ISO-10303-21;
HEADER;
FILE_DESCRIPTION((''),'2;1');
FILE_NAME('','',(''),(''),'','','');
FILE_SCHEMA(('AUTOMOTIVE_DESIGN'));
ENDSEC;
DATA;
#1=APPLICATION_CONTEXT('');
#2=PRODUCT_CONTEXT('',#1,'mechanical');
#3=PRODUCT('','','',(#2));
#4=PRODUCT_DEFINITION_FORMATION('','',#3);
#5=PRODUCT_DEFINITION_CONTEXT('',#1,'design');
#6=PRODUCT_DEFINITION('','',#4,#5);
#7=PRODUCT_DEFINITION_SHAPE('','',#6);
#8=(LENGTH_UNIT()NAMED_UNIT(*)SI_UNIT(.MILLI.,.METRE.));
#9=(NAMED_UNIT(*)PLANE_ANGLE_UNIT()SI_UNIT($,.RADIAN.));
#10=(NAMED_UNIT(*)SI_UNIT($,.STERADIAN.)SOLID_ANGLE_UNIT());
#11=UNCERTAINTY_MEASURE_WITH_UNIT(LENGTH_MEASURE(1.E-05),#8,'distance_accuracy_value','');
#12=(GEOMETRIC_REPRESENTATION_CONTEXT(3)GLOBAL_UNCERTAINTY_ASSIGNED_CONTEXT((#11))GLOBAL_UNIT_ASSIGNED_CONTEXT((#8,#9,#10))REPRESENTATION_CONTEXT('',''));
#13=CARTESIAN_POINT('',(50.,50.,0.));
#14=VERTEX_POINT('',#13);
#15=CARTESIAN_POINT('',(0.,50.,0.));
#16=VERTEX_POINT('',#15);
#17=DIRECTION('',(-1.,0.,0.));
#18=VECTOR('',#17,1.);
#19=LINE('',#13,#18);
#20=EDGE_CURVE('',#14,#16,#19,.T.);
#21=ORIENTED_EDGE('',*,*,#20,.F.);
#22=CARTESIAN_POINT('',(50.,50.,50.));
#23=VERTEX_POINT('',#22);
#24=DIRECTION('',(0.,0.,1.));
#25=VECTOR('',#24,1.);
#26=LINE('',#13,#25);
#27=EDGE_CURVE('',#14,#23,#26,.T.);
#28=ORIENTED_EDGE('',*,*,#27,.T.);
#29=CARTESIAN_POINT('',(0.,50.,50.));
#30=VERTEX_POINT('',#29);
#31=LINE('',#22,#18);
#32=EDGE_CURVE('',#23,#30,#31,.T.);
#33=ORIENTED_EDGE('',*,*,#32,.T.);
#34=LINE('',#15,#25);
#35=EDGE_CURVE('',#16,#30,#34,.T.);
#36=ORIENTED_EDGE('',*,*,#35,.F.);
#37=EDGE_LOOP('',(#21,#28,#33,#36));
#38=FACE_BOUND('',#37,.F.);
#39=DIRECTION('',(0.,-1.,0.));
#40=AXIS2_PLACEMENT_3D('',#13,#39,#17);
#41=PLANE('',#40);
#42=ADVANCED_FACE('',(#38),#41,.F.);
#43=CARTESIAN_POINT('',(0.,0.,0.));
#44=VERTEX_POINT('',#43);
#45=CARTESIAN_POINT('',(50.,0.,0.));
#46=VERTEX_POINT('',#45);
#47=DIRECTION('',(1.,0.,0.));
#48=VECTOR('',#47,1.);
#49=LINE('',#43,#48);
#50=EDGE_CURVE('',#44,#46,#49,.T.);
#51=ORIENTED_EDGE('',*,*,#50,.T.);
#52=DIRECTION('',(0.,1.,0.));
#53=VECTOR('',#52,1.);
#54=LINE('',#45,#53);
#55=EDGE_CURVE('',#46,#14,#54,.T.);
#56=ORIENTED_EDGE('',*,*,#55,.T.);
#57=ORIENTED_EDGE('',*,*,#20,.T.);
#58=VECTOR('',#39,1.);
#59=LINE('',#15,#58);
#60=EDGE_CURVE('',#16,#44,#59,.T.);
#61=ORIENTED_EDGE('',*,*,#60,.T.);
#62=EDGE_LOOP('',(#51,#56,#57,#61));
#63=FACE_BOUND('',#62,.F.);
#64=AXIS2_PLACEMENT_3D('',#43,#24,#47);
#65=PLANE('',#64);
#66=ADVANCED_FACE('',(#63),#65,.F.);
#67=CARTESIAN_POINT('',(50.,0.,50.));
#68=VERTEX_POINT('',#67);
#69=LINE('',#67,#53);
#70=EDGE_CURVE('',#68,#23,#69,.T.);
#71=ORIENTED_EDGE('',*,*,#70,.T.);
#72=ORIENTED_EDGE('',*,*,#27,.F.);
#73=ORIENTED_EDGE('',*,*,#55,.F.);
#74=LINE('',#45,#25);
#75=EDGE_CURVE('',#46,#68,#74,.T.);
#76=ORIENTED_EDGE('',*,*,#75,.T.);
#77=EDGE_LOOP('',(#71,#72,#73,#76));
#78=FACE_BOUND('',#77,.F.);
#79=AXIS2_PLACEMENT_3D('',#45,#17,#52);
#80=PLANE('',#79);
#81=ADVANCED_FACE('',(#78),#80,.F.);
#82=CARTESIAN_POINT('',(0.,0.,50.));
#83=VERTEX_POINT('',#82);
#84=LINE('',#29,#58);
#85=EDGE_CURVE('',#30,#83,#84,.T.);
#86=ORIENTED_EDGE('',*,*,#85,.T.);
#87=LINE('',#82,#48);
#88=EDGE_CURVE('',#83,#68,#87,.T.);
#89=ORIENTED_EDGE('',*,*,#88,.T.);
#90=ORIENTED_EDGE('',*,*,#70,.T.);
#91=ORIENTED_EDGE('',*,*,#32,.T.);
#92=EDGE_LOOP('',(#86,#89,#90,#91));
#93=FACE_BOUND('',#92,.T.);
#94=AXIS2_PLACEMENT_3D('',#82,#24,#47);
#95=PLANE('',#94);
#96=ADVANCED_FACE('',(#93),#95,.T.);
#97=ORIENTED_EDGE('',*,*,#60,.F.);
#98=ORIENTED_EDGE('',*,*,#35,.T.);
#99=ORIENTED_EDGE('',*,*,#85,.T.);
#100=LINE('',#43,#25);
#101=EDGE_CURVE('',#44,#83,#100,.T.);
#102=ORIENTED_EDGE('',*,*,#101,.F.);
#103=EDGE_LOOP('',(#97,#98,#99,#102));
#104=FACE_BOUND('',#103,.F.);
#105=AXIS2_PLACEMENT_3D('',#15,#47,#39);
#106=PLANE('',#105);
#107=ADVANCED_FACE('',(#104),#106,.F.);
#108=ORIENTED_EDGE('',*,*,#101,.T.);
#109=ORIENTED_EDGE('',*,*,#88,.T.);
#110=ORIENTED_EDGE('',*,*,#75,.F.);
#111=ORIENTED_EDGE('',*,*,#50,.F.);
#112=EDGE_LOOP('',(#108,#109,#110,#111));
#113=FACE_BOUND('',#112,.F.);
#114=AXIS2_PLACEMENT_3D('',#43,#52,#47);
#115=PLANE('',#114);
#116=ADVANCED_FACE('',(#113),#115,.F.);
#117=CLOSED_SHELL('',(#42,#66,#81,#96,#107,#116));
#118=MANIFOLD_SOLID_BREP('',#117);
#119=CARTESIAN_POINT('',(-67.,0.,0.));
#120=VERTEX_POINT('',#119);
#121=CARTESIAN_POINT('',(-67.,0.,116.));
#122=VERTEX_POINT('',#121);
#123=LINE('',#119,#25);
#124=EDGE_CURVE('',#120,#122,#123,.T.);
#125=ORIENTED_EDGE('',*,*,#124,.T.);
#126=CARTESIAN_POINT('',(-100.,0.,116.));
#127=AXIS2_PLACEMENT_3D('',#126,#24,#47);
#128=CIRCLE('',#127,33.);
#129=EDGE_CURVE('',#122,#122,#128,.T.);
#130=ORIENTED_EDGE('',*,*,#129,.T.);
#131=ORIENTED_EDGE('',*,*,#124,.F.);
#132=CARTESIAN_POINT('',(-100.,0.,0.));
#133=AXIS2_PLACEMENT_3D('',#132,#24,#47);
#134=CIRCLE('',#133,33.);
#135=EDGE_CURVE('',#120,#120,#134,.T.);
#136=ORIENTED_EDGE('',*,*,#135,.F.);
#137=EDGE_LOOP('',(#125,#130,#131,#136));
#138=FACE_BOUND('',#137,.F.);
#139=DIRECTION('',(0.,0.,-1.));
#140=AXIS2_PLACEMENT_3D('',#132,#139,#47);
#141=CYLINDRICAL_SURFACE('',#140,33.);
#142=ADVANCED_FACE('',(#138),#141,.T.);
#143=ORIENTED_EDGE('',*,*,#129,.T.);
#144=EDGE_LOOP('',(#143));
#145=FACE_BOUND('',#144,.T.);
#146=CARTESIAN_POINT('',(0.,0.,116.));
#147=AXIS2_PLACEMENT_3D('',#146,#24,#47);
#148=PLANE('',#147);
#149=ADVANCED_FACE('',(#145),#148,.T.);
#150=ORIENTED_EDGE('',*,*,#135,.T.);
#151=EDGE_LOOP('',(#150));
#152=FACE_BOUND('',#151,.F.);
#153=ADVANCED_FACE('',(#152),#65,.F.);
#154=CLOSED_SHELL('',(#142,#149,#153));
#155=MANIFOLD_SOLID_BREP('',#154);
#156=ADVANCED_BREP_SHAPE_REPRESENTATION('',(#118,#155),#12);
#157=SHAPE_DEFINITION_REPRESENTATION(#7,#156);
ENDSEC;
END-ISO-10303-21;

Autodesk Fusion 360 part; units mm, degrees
sketch "Sketch1" plane through (0, 0, 0) normal (0, 0, 1) x (1, 0, 0)
  line L0 (0, 0) -> (50, 0)
  line L1 (50, 0) -> (50, 50)
  line L2 (50, 50) -> (0, 50)
  line L3 (0, 50) -> (0, 0)
extrude "Extrude1" add sketch "Sketch1" along normal blind 50 makes body 1
sketch "Sketch2" plane through (0, 0, 0) normal (0, 0, 1) x (1, 0, 0)
  circle A0 centre (-100, 0) radius 33
  dimension "d3" = 66
extrude "Extrude2" add sketch "Sketch2" along normal blind 116 separate body makes body 2
